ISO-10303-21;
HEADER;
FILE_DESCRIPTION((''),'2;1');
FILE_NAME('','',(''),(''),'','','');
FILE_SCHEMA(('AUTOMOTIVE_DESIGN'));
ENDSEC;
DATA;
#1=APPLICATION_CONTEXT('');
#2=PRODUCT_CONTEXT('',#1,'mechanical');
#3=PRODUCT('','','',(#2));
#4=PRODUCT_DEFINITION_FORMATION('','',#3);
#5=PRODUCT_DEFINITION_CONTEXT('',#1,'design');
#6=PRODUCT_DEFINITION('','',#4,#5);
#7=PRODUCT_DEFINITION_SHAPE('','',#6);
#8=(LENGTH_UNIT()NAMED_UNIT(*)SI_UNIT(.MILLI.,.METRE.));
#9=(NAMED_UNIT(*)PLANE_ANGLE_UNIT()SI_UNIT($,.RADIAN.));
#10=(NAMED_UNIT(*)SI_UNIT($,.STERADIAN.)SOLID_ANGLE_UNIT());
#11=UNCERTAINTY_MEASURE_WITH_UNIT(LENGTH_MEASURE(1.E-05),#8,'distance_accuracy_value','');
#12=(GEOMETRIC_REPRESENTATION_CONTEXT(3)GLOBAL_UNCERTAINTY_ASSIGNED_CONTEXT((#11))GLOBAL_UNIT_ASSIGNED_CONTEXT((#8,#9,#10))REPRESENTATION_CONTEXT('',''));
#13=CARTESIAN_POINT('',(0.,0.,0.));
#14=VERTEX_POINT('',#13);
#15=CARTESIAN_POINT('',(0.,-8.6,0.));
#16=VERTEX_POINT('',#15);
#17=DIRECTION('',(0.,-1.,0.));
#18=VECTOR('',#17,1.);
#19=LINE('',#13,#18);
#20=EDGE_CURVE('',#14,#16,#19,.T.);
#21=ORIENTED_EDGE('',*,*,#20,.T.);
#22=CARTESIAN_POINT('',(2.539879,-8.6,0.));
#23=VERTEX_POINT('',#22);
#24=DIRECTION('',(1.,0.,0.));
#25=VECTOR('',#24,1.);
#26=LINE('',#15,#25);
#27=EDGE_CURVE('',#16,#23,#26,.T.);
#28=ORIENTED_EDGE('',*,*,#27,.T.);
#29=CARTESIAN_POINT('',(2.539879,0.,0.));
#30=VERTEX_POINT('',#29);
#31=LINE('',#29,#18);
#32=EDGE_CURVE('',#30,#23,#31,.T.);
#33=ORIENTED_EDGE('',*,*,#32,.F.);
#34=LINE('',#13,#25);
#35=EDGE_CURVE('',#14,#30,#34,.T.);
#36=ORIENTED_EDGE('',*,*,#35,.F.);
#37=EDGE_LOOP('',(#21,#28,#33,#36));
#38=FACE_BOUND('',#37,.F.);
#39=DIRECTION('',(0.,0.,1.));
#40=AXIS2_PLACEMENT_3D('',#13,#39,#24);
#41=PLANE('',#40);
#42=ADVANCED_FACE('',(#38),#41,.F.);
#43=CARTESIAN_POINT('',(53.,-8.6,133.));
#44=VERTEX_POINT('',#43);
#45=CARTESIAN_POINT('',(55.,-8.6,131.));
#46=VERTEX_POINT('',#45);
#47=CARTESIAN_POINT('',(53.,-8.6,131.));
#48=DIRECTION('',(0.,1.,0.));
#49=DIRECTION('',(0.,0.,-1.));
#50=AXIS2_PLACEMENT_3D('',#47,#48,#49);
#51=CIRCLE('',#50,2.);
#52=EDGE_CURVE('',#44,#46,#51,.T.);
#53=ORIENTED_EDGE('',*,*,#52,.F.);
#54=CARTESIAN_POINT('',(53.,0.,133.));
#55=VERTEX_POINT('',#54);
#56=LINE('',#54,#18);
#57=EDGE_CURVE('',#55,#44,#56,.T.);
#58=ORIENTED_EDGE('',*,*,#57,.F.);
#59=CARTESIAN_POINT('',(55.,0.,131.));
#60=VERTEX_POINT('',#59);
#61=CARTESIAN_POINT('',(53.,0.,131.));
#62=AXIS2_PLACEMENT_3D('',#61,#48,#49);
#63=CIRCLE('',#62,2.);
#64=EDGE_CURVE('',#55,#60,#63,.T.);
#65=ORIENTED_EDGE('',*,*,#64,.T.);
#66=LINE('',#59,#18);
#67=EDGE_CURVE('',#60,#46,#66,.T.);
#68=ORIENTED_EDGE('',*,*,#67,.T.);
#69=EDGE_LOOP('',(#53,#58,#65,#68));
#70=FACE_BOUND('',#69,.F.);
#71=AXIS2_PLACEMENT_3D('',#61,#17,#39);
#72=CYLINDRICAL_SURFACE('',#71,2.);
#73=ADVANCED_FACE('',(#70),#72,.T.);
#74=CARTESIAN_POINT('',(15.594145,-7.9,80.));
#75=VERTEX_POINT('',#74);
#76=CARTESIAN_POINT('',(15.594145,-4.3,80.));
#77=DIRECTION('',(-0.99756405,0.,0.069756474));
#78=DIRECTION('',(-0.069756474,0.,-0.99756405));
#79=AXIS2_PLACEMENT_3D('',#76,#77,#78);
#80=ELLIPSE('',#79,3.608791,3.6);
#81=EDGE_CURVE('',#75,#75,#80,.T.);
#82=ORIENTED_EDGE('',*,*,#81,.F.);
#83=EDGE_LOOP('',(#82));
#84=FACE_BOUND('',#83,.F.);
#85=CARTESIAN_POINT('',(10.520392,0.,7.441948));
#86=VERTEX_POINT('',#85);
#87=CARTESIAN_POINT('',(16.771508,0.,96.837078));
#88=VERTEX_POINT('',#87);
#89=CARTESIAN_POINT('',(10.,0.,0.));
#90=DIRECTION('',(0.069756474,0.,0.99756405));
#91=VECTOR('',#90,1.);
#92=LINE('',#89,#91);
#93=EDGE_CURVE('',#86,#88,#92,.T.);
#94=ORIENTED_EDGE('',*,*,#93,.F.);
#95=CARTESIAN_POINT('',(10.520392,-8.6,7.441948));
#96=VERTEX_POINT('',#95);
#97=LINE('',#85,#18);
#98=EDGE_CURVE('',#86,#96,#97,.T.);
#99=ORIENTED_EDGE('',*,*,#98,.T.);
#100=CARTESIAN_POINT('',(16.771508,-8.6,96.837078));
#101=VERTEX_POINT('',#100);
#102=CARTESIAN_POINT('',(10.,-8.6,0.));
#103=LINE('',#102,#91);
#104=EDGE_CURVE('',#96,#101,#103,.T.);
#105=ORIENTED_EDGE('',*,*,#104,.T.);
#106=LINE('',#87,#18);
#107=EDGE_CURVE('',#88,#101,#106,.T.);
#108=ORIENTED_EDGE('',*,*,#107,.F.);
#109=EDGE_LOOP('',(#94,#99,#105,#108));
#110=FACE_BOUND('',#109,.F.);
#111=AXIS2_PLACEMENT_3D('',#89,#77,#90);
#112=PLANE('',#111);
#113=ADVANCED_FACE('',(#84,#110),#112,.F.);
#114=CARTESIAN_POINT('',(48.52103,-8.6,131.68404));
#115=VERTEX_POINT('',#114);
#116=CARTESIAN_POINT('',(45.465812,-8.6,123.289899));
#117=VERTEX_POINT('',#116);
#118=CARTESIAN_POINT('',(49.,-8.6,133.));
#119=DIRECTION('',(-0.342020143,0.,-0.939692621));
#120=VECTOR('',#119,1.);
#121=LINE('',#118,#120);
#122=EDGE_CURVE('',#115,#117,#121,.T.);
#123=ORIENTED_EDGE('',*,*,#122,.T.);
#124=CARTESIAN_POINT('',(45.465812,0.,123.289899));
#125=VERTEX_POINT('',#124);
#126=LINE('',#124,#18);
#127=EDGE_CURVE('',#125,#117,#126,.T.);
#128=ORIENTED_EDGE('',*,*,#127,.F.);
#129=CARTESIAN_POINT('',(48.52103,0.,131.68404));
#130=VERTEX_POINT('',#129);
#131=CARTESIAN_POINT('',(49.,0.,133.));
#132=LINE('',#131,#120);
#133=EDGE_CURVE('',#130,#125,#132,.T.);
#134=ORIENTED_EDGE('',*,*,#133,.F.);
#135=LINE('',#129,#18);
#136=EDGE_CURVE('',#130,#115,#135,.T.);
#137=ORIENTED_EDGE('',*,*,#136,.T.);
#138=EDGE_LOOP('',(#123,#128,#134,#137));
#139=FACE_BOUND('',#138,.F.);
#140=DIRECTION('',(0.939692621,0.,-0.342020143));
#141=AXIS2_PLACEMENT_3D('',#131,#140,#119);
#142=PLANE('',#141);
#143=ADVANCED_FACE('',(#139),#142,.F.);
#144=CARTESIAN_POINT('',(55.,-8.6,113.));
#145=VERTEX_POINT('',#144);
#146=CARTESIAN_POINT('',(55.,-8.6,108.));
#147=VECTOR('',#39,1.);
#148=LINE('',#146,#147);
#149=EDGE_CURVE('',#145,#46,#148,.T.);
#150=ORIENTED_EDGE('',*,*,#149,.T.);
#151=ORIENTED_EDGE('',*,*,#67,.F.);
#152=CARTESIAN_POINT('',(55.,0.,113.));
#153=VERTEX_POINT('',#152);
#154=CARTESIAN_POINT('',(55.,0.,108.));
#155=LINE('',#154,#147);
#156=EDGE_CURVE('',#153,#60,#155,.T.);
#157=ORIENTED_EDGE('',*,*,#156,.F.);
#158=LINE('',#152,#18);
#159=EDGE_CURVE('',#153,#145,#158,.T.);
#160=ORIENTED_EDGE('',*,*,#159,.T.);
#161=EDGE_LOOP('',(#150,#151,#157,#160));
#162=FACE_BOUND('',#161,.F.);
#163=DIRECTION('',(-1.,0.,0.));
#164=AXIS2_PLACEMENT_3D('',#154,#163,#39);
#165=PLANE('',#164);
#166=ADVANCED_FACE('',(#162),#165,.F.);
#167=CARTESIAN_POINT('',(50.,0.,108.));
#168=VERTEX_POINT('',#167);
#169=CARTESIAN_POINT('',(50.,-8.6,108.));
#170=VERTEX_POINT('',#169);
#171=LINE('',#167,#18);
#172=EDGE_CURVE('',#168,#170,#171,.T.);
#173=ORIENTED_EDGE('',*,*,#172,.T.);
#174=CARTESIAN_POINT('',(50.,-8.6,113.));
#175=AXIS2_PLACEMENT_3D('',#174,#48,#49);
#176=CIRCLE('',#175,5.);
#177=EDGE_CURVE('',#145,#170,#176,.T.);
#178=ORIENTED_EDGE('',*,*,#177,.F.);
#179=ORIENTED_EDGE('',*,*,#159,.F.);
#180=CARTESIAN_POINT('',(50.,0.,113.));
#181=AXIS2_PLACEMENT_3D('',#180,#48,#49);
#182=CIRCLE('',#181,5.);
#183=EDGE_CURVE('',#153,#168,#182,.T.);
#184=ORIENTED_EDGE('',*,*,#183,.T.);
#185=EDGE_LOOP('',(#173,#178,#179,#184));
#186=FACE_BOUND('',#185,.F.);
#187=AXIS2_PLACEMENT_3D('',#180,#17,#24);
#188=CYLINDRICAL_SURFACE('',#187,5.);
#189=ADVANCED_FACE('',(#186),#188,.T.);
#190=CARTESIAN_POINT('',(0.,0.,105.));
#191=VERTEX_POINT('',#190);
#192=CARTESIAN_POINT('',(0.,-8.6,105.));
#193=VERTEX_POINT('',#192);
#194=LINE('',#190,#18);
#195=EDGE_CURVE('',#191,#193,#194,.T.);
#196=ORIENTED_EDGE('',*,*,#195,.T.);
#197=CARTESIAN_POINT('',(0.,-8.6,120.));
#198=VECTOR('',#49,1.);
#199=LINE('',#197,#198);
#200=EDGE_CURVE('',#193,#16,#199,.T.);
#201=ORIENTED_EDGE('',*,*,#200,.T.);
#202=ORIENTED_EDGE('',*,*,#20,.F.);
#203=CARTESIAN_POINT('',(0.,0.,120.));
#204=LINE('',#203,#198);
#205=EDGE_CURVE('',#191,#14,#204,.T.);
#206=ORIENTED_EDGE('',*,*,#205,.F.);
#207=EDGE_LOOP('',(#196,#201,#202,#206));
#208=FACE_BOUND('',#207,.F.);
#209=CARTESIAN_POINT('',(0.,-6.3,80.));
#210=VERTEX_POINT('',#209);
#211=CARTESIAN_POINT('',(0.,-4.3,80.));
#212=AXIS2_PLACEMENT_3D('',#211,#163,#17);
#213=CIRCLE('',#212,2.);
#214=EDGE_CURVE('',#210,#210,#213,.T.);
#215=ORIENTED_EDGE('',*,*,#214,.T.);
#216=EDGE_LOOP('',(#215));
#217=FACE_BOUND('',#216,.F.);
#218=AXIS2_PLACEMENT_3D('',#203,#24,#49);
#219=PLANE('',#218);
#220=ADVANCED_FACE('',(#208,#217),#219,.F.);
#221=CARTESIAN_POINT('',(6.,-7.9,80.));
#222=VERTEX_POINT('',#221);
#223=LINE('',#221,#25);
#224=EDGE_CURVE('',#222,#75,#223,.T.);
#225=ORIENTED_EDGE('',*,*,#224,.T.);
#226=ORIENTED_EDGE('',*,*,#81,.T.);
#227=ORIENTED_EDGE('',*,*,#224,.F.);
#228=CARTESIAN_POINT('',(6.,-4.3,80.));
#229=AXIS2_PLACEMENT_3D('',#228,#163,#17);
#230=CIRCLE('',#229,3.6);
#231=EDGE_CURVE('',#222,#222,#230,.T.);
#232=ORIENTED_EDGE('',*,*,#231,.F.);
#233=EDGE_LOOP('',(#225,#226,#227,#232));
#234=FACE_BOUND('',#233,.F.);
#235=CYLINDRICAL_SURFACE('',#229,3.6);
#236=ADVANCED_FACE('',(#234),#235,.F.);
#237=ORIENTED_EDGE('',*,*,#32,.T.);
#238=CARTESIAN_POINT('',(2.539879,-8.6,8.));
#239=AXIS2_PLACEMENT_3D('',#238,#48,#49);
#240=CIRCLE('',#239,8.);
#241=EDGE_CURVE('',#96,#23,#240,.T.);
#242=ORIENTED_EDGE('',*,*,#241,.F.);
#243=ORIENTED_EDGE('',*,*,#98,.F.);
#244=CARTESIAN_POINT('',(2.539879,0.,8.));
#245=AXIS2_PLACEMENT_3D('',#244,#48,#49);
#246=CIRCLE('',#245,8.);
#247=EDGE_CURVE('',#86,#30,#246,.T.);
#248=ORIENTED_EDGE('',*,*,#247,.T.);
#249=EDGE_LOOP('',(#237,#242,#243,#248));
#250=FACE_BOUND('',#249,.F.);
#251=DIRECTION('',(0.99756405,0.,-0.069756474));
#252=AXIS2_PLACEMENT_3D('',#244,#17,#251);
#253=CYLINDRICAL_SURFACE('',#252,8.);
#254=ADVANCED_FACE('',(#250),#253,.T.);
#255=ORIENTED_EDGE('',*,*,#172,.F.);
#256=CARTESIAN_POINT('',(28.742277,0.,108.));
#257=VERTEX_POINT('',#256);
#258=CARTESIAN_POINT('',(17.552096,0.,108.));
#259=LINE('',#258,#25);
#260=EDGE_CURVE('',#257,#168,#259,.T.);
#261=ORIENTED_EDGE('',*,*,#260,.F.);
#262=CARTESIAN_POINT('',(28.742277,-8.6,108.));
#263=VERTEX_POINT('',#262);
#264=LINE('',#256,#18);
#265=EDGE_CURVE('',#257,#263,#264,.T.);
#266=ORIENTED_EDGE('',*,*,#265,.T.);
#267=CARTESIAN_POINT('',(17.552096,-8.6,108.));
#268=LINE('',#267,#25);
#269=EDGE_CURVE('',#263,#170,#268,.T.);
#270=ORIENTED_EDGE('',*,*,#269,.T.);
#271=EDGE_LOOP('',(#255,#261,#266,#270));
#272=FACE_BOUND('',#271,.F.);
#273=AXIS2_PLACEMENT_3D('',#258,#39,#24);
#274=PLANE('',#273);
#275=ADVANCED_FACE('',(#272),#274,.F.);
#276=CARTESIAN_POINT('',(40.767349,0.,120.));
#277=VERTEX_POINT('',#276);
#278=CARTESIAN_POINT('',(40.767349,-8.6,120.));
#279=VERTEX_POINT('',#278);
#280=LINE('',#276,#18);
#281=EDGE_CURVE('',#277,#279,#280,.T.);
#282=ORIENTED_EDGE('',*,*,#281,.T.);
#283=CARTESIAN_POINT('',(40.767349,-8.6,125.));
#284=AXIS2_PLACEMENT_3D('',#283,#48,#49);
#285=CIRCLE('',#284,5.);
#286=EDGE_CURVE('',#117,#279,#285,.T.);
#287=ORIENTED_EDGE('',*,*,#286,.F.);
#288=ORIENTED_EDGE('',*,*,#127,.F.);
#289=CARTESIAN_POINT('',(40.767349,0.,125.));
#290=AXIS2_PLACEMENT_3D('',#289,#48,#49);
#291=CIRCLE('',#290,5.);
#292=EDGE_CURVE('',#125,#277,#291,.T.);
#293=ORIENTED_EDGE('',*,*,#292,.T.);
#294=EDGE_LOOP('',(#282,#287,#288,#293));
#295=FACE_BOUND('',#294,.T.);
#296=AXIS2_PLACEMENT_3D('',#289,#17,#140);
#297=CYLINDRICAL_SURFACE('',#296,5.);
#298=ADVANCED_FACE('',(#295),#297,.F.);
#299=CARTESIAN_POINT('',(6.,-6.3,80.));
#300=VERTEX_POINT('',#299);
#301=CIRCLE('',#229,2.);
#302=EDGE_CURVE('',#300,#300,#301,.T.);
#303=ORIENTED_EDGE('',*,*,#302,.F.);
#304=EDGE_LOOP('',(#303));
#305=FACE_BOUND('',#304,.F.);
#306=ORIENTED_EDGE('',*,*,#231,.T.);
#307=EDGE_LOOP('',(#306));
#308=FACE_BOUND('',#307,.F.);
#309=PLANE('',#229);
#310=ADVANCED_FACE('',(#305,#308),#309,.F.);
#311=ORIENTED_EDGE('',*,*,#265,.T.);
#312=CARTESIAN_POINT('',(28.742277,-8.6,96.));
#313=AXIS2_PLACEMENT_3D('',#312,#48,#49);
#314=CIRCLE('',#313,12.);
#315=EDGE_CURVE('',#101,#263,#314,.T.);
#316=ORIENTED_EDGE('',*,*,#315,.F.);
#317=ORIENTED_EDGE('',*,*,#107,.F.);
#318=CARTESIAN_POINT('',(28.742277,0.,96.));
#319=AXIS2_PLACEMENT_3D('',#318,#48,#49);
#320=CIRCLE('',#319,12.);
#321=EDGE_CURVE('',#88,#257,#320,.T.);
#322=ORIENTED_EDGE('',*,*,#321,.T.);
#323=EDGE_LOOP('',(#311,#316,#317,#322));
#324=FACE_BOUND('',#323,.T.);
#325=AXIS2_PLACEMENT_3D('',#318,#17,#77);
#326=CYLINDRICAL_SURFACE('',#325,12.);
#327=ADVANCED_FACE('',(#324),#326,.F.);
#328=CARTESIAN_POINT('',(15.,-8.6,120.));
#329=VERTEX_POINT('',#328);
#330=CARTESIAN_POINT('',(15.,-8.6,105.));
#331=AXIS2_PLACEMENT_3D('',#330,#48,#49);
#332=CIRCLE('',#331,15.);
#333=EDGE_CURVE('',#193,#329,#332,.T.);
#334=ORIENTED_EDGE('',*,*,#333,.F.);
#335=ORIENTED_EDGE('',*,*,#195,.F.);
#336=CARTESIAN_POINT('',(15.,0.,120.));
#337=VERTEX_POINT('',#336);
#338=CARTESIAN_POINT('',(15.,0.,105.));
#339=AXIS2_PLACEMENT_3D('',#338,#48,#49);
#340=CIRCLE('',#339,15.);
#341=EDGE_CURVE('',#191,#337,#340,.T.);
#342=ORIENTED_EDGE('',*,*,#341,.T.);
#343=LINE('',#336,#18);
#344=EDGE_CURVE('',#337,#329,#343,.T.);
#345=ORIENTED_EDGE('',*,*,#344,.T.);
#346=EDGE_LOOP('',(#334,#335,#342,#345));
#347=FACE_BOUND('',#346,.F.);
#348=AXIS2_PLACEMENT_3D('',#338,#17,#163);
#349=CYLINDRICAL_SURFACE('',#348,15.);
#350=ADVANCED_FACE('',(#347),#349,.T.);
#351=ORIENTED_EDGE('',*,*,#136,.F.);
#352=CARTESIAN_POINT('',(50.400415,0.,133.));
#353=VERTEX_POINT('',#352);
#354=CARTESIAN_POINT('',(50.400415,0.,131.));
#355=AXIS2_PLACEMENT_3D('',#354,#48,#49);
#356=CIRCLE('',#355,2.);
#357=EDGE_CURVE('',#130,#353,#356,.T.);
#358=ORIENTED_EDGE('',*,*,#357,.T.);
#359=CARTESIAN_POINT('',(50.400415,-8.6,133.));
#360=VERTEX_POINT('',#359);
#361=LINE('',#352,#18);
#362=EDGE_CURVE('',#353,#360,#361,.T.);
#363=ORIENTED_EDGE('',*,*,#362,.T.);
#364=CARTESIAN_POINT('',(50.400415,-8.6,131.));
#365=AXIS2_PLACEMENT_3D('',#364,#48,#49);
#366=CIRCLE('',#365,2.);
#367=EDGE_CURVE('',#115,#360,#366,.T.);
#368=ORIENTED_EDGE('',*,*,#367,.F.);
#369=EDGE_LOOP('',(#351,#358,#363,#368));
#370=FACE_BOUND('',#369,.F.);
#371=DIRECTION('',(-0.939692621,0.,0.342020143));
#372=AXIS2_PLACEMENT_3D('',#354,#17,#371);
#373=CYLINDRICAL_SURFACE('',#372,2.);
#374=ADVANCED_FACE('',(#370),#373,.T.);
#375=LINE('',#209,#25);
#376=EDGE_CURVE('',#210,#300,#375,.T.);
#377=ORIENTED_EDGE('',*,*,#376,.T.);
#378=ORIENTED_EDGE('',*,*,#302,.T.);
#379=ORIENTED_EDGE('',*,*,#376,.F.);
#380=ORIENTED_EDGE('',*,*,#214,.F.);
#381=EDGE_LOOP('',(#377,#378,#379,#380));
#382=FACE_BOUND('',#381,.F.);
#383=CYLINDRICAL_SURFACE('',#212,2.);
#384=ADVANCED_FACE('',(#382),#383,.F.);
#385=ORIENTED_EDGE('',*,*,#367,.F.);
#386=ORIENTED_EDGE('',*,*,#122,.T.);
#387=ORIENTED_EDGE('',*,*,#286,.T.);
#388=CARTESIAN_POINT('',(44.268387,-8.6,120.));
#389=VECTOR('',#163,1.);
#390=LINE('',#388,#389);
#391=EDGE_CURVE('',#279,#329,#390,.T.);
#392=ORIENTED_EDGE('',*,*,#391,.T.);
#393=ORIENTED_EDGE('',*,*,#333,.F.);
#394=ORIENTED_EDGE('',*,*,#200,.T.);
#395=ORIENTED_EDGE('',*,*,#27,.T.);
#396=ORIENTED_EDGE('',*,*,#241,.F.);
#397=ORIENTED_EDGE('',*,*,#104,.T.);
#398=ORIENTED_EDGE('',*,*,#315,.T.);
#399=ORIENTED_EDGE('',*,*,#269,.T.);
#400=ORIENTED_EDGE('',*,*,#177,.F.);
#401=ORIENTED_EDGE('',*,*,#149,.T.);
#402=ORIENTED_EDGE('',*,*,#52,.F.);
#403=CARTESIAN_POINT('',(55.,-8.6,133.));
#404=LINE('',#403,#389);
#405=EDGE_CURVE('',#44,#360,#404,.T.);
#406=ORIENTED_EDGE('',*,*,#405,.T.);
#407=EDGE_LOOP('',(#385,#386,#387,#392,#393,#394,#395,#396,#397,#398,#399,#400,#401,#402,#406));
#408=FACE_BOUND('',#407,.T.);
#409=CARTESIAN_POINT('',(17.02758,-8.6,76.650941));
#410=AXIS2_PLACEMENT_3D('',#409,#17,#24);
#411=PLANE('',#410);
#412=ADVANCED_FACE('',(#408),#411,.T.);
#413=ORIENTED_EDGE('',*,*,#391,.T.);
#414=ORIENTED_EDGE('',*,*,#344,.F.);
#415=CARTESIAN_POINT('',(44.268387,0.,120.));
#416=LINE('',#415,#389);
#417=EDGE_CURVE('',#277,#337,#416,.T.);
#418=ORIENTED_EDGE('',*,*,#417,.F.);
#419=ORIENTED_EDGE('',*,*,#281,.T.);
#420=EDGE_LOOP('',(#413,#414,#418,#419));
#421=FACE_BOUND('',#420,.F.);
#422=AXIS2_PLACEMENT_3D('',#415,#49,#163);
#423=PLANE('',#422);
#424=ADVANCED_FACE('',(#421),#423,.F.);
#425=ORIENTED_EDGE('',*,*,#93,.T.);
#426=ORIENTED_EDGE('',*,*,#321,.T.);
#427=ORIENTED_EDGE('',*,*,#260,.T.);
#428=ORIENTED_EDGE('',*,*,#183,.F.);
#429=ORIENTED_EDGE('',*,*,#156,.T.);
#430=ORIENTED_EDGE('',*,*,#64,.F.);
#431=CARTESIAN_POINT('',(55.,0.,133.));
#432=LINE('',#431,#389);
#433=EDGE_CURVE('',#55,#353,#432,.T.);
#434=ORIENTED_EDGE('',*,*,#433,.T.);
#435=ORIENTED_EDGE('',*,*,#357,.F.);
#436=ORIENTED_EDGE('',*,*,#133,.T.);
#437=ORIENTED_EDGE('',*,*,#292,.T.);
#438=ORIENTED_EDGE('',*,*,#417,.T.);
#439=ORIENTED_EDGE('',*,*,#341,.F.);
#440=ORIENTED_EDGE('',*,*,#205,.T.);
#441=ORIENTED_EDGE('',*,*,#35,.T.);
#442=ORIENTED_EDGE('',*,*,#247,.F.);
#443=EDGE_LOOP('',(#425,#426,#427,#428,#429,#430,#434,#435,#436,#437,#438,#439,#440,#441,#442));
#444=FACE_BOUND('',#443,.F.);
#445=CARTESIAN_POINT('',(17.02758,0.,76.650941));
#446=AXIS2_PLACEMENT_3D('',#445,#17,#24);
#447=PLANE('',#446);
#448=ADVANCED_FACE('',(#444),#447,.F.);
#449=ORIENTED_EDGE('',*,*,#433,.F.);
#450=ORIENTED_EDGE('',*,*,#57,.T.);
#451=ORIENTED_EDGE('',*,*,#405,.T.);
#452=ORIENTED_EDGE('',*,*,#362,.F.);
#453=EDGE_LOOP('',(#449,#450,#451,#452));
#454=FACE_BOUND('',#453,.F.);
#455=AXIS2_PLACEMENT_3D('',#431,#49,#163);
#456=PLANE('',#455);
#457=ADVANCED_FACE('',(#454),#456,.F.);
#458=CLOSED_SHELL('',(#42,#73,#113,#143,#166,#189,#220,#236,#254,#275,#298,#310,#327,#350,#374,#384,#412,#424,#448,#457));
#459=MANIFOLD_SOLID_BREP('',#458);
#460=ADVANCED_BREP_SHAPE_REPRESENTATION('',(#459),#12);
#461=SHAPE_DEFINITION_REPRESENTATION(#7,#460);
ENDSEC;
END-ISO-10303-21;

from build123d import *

# Parameters (mm, degrees)
F1_DEPTH  = 8.6
F2_R      = 12
F3_R      = 8
F4_R      = 15
F5_R      = 5
F6_R      = 5
F7_R      = 2
F8_R      = 2
F9_DEPTH  = 25
F11_START = -6
F10_R     = 3.6
F11_DEPTH = 19


with BuildPart() as f1:
    # F0 (on Front) → F1 (new body)
    with BuildSketch(Plane.XZ):
        Polygon((0, 120), (0, 0), (10, 0), (17.5520956899, 108), (55, 108), (55, 133), (49, 133), (44.2683869545, 120), align=None)
    extrude(amount=F1_DEPTH)

    # F2
    f2_edges = [f1.edges().sort_by_distance(p)[0] for p in [
        (17.552096, -4.3, 108),
    ]]
    fillet(f2_edges, radius=F2_R)

    # F3
    f3_edges = [f1.edges().sort_by_distance(p)[0] for p in [
        (10, -4.3, 0),
    ]]
    fillet(f3_edges, radius=F3_R)

    # F4
    f4_edges = [f1.edges().sort_by_distance(p)[0] for p in [
        (0, -4.3, 120),
    ]]
    fillet(f4_edges, radius=F4_R)

    # F5
    f5_edges = [f1.edges().sort_by_distance(p)[0] for p in [
        (55, -4.3, 108),
    ]]
    fillet(f5_edges, radius=F5_R)

    # F6
    f6_edges = [f1.edges().sort_by_distance(p)[0] for p in [
        (44.268387, -4.3, 120),
    ]]
    fillet(f6_edges, radius=F6_R)

    # F7
    f7_edges = [f1.edges().sort_by_distance(p)[0] for p in [
        (49, -4.3, 133),
        (55, -4.3, 133),
    ]]
    fillet(f7_edges, radius=F7_R)

    # F8 (on face) → F9 (cut)
    with BuildSketch(Plane(origin=(0, 0, 0), x_dir=(0, -1, 0), z_dir=(-1, 0, 0))):
        with Locations((4.3, 80)):
            Circle(F8_R)
    extrude(amount=-F9_DEPTH, mode=Mode.SUBTRACT)

    # F10 (on face) → F11 (cut)
    with BuildSketch(Plane(origin=(0, 0, 0), x_dir=(0, -1, 0), z_dir=(-1, 0, 0)).offset(F11_START)):
        with Locations((4.3, 80)):
            Circle(F10_R)
    extrude(amount=-F11_DEPTH, mode=Mode.SUBTRACT)


solid = f1.part
